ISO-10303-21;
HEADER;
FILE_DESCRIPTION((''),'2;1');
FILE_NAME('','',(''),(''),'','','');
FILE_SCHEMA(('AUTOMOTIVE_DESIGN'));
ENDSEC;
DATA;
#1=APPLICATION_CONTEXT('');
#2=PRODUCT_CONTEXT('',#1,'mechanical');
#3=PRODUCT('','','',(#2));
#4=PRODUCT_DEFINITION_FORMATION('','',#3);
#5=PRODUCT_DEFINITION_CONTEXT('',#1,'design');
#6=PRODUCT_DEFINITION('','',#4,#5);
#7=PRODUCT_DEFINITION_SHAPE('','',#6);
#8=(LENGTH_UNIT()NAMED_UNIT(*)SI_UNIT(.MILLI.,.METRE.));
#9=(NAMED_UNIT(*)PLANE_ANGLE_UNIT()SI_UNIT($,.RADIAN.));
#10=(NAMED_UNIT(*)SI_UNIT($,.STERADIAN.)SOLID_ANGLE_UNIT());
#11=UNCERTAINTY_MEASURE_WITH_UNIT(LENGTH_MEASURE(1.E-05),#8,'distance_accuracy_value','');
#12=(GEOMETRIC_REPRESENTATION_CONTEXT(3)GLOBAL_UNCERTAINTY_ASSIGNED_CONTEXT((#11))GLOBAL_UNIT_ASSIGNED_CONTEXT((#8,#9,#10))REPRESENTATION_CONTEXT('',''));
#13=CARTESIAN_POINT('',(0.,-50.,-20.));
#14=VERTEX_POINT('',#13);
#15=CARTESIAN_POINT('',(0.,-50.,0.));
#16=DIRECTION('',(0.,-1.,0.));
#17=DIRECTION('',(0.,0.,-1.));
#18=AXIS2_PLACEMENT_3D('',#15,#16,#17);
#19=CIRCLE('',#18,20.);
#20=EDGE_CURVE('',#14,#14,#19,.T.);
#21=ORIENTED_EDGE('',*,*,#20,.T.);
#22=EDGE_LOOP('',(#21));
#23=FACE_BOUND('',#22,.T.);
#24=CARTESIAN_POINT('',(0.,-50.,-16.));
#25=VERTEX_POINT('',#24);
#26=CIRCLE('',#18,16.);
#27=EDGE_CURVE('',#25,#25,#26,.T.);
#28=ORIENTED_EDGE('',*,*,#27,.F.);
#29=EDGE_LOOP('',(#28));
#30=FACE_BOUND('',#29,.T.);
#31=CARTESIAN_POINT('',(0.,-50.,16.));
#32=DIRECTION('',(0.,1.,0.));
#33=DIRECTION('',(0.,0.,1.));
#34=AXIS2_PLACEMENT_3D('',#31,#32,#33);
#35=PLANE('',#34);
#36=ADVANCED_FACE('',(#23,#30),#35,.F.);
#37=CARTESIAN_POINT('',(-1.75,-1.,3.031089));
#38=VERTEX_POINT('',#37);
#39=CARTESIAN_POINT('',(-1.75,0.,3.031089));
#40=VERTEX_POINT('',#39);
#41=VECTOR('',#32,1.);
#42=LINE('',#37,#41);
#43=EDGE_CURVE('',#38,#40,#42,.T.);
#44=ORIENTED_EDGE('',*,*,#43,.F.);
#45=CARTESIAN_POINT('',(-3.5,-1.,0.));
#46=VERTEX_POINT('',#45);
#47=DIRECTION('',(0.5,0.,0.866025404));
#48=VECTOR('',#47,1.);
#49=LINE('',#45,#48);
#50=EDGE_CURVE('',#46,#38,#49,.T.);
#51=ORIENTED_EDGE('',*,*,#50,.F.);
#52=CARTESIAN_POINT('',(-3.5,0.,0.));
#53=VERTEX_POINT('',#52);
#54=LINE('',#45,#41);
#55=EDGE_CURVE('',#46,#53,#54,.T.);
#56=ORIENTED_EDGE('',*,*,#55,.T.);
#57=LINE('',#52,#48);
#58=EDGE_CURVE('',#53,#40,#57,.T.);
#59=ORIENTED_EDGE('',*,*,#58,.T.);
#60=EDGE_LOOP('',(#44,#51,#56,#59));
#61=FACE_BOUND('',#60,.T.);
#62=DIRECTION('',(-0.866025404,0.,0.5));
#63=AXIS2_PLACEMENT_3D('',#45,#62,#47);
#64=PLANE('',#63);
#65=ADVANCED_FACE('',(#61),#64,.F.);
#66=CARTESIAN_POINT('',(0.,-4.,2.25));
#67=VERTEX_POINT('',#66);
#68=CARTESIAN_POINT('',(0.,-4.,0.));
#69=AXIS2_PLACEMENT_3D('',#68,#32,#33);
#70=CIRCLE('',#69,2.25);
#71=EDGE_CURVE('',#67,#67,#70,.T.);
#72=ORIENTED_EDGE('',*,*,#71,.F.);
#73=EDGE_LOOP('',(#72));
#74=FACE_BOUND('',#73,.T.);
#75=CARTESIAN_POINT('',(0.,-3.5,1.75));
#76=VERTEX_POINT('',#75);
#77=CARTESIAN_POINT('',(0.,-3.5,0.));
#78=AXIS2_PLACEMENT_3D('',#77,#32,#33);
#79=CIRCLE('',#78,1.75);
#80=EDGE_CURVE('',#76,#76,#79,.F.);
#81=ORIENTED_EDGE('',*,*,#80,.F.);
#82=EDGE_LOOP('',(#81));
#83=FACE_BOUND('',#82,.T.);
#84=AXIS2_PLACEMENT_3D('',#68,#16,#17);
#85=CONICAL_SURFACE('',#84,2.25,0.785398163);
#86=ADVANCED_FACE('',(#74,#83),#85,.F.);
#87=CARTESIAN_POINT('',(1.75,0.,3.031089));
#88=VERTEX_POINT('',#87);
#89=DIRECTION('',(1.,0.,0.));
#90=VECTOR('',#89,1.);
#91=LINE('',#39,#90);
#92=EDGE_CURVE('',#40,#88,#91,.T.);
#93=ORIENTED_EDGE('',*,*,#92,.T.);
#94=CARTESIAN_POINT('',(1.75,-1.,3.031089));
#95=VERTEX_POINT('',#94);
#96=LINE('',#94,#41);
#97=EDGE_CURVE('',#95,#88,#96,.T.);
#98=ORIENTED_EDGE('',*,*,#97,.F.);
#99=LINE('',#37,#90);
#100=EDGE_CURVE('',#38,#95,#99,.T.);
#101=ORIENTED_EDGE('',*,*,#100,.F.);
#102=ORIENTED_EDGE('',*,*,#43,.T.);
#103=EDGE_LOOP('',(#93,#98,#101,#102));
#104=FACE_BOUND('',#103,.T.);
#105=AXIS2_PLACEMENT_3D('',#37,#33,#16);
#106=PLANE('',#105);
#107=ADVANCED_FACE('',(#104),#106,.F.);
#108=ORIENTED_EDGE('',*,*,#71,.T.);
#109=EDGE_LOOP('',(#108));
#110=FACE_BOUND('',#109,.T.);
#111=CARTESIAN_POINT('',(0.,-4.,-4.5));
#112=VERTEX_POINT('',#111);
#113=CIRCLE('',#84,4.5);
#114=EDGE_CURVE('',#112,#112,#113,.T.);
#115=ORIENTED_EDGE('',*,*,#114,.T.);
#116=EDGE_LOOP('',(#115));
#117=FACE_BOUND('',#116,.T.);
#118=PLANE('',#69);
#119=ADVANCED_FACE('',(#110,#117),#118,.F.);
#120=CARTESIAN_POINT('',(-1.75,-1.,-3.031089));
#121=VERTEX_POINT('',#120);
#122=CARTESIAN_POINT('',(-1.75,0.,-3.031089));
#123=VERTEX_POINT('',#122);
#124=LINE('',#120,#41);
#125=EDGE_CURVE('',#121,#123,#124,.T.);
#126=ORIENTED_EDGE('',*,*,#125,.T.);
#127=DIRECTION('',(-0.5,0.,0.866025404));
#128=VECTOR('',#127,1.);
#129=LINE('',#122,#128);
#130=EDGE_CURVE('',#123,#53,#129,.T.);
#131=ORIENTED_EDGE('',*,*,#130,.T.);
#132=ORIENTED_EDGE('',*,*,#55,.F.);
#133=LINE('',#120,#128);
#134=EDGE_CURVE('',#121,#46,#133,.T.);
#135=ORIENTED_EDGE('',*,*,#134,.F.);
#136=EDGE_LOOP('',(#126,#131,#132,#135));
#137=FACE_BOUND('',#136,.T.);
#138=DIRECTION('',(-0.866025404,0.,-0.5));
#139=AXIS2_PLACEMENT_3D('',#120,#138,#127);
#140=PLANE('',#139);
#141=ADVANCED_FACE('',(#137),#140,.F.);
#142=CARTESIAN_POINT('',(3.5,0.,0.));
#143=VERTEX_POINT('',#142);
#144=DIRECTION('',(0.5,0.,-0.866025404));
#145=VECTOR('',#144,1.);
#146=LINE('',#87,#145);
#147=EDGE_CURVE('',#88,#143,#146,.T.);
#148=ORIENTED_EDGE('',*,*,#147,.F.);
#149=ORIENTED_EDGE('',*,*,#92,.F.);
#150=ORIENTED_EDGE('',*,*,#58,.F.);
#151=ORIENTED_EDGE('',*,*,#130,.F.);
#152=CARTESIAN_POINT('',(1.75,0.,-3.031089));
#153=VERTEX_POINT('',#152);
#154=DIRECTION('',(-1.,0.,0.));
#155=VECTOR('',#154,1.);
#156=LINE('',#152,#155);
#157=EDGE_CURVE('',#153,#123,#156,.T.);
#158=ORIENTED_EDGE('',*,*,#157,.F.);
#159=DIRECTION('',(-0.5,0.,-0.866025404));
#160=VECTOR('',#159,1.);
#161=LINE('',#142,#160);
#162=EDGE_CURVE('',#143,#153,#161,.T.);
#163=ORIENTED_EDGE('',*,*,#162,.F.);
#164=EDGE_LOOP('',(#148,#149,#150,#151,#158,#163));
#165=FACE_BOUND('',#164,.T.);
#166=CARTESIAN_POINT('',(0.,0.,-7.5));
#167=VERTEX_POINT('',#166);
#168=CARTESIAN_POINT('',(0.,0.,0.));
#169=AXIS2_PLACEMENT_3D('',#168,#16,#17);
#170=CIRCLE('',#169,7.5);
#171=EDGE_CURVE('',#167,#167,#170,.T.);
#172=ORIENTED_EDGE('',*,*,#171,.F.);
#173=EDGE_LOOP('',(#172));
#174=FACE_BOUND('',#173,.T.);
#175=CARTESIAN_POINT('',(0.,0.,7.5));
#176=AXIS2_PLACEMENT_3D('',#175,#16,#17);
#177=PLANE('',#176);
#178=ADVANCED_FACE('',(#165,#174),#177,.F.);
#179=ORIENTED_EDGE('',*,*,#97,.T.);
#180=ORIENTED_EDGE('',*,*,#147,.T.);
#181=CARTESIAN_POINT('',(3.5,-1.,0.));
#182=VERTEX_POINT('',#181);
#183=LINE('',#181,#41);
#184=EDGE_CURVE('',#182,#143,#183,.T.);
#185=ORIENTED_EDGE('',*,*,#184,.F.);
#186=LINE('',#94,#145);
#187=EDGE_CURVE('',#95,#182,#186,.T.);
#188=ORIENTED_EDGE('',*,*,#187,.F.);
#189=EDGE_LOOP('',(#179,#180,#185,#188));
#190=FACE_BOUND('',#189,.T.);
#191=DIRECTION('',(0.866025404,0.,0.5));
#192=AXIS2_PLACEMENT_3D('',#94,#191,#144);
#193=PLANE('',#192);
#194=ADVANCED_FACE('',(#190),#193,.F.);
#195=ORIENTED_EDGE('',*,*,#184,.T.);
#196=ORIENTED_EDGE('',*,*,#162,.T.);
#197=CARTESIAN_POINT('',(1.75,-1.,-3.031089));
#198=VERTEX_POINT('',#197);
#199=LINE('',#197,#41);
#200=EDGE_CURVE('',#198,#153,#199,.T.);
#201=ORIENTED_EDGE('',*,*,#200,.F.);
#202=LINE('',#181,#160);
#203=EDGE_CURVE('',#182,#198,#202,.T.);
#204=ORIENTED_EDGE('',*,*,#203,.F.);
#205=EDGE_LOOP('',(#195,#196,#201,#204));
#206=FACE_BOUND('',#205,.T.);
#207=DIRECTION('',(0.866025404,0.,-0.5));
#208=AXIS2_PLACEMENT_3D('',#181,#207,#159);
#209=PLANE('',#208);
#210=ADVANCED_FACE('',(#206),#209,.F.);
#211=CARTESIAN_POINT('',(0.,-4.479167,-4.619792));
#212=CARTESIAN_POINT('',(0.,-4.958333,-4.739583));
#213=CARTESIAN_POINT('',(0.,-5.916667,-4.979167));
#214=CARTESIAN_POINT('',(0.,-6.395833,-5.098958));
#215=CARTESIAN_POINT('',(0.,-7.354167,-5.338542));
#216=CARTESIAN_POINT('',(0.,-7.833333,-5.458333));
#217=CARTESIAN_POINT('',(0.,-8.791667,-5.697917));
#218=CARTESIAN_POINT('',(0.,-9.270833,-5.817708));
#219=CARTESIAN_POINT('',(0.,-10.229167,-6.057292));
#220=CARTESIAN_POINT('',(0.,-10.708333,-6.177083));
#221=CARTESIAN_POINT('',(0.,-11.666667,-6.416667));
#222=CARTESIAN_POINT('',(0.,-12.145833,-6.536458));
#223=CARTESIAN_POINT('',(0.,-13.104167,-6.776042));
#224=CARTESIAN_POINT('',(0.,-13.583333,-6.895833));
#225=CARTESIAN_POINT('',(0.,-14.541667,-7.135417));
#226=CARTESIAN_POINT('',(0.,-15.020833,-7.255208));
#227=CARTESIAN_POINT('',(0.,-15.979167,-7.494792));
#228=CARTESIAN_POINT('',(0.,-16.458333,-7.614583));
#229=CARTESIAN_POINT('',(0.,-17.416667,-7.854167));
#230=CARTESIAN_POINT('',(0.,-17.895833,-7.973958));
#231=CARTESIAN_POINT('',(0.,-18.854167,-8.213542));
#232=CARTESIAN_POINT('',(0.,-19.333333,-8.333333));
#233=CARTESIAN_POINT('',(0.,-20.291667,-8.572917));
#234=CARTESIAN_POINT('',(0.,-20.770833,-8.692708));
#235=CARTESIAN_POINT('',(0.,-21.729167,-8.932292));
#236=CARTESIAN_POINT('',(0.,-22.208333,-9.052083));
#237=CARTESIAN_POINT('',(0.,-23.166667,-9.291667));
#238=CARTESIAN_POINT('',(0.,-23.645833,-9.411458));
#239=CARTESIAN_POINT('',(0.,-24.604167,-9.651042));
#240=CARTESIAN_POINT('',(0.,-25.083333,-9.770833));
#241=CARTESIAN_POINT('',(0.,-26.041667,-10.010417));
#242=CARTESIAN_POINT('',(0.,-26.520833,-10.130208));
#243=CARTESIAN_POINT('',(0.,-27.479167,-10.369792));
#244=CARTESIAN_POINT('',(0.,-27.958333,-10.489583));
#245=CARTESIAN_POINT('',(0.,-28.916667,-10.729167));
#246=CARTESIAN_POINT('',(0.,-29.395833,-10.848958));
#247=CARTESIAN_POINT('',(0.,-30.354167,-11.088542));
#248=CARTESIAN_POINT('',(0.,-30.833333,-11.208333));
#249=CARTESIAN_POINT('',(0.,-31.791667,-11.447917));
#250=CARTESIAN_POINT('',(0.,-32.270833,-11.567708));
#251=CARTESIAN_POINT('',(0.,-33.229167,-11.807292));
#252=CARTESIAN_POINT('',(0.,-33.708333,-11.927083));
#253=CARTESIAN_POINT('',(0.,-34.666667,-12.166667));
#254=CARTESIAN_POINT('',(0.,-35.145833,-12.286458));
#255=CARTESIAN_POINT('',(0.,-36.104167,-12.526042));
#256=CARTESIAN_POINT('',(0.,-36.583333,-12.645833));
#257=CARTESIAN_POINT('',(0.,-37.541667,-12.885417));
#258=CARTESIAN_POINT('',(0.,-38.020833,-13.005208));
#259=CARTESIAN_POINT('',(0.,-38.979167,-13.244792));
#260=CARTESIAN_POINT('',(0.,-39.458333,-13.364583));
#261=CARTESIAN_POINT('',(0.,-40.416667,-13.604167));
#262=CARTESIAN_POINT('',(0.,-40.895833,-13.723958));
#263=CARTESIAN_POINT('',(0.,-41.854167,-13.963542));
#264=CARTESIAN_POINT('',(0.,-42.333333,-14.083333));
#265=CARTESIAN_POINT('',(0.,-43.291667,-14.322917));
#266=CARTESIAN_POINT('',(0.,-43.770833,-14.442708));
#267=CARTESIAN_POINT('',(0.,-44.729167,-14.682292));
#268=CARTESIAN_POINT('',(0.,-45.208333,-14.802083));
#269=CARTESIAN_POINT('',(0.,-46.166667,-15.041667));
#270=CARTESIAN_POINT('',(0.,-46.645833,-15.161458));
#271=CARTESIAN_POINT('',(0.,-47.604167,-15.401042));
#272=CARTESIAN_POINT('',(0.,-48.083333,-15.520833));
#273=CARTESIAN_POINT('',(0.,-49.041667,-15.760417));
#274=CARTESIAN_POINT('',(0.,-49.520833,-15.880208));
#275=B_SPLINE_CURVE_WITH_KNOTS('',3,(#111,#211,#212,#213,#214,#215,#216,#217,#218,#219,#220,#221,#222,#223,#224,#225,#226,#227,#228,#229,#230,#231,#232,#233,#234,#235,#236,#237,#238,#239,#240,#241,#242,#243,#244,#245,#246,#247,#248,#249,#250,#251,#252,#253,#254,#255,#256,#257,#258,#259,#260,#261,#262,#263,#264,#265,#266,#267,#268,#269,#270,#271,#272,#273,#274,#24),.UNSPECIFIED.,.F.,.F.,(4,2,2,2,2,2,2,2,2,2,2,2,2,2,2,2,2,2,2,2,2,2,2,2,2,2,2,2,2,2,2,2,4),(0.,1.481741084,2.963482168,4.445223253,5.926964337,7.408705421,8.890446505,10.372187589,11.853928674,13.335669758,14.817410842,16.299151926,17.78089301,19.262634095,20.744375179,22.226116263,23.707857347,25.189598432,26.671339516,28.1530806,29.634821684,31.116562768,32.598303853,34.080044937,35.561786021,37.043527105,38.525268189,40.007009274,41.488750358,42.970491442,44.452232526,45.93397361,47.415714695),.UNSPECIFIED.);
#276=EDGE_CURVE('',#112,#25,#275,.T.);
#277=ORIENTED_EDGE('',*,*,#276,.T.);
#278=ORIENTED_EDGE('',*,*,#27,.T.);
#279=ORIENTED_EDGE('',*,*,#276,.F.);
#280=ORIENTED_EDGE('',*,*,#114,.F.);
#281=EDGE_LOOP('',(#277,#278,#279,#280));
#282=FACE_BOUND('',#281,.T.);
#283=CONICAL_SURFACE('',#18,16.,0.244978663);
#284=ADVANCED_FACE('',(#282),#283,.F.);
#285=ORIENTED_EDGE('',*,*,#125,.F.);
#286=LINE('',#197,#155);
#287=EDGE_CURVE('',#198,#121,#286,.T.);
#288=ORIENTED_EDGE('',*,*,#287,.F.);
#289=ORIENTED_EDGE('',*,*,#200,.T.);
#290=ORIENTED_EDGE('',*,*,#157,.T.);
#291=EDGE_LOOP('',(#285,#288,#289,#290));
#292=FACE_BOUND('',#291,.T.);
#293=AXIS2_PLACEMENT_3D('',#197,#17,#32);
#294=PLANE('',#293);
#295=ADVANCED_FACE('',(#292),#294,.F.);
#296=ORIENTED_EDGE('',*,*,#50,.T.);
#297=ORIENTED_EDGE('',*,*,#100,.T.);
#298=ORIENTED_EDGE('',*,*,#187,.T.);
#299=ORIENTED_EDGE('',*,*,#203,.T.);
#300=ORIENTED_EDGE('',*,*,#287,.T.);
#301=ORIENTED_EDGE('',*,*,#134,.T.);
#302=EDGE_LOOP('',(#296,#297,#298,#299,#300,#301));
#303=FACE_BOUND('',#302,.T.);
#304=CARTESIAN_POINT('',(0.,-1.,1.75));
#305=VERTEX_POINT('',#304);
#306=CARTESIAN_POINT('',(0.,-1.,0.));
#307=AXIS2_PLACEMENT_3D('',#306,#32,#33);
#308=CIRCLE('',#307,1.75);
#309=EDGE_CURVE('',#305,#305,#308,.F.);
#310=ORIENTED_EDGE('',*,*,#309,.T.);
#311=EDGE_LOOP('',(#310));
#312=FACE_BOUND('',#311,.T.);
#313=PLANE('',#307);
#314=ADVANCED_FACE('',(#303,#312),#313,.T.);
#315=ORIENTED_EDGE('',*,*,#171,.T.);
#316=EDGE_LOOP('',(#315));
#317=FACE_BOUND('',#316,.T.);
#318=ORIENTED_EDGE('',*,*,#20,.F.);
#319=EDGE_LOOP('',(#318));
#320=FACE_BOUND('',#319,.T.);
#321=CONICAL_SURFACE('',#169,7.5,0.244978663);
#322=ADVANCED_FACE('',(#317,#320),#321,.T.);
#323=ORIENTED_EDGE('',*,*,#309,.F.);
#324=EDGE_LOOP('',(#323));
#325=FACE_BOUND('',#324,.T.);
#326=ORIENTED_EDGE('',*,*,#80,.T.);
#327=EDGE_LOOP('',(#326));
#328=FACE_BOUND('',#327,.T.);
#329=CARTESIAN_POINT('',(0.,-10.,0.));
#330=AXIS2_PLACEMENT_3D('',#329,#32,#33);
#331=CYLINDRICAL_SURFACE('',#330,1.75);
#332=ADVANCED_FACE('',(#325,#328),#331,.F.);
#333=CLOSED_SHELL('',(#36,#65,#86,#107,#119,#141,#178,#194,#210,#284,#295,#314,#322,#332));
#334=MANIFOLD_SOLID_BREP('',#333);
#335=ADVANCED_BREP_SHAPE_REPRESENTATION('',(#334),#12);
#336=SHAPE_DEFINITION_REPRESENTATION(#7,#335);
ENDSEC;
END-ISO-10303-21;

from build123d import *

# Parameters (mm, degrees)
SKETCH_4_R          = 1.75
CUT_EXTRUDE_1_DEPTH = 10
CUT_EXTRUDE_2_DEPTH = 1
CHAMFER_1_SIZE      = 0.5


with BuildPart() as part:
    # 草图3 → 旋转1 (revolve)
    with BuildSketch(Plane(origin=(0, 0, 0), x_dir=(0, 0, -1), z_dir=(1, 0, 0)), mode=Mode.PRIVATE) as revolve_1_sk:
        Polygon((-7.5, 0), (0, 0), (0, -4), (-4.5, -4), (-16, -50), (-20, -50), align=None)
    revolve(revolve_1_sk.sketch.rotate(Axis((0, 28.450677981, 0), (0, 1, 0)), 180), axis=Axis((0, 28.450677981, 0), (0, 1, 0)))

    # 草图4 → 切除-拉伸1 (cut)
    with BuildSketch(Plane(origin=(0, 0, 0), x_dir=(1, 0, 0), z_dir=(0, 1, 0))):
        with Locations(Location((0, 0, 0), (0, 0, 270))):
            Circle(SKETCH_4_R)
    extrude(amount=-CUT_EXTRUDE_1_DEPTH, mode=Mode.SUBTRACT)

    # 草图5 → 切除-拉伸2 (cut)
    with BuildSketch(Plane(origin=(0, 0, 0), x_dir=(1, 0, 0), z_dir=(0, 1, 0))):
        Polygon((3.5, 0), (1.75, 3.031088913), (-1.75, 3.031088913), (-3.5, 0), (-1.75, -3.031088913), (1.75, -3.031088913), align=None)
    extrude(amount=-CUT_EXTRUDE_2_DEPTH, mode=Mode.SUBTRACT)

    # 倒角1
    chamfer_1_edges = [part.edges().sort_by_distance(p)[0] for p in [
        (0, -4, -1.75),
    ]]
    chamfer(chamfer_1_edges, length=CHAMFER_1_SIZE)


solid = part.part
